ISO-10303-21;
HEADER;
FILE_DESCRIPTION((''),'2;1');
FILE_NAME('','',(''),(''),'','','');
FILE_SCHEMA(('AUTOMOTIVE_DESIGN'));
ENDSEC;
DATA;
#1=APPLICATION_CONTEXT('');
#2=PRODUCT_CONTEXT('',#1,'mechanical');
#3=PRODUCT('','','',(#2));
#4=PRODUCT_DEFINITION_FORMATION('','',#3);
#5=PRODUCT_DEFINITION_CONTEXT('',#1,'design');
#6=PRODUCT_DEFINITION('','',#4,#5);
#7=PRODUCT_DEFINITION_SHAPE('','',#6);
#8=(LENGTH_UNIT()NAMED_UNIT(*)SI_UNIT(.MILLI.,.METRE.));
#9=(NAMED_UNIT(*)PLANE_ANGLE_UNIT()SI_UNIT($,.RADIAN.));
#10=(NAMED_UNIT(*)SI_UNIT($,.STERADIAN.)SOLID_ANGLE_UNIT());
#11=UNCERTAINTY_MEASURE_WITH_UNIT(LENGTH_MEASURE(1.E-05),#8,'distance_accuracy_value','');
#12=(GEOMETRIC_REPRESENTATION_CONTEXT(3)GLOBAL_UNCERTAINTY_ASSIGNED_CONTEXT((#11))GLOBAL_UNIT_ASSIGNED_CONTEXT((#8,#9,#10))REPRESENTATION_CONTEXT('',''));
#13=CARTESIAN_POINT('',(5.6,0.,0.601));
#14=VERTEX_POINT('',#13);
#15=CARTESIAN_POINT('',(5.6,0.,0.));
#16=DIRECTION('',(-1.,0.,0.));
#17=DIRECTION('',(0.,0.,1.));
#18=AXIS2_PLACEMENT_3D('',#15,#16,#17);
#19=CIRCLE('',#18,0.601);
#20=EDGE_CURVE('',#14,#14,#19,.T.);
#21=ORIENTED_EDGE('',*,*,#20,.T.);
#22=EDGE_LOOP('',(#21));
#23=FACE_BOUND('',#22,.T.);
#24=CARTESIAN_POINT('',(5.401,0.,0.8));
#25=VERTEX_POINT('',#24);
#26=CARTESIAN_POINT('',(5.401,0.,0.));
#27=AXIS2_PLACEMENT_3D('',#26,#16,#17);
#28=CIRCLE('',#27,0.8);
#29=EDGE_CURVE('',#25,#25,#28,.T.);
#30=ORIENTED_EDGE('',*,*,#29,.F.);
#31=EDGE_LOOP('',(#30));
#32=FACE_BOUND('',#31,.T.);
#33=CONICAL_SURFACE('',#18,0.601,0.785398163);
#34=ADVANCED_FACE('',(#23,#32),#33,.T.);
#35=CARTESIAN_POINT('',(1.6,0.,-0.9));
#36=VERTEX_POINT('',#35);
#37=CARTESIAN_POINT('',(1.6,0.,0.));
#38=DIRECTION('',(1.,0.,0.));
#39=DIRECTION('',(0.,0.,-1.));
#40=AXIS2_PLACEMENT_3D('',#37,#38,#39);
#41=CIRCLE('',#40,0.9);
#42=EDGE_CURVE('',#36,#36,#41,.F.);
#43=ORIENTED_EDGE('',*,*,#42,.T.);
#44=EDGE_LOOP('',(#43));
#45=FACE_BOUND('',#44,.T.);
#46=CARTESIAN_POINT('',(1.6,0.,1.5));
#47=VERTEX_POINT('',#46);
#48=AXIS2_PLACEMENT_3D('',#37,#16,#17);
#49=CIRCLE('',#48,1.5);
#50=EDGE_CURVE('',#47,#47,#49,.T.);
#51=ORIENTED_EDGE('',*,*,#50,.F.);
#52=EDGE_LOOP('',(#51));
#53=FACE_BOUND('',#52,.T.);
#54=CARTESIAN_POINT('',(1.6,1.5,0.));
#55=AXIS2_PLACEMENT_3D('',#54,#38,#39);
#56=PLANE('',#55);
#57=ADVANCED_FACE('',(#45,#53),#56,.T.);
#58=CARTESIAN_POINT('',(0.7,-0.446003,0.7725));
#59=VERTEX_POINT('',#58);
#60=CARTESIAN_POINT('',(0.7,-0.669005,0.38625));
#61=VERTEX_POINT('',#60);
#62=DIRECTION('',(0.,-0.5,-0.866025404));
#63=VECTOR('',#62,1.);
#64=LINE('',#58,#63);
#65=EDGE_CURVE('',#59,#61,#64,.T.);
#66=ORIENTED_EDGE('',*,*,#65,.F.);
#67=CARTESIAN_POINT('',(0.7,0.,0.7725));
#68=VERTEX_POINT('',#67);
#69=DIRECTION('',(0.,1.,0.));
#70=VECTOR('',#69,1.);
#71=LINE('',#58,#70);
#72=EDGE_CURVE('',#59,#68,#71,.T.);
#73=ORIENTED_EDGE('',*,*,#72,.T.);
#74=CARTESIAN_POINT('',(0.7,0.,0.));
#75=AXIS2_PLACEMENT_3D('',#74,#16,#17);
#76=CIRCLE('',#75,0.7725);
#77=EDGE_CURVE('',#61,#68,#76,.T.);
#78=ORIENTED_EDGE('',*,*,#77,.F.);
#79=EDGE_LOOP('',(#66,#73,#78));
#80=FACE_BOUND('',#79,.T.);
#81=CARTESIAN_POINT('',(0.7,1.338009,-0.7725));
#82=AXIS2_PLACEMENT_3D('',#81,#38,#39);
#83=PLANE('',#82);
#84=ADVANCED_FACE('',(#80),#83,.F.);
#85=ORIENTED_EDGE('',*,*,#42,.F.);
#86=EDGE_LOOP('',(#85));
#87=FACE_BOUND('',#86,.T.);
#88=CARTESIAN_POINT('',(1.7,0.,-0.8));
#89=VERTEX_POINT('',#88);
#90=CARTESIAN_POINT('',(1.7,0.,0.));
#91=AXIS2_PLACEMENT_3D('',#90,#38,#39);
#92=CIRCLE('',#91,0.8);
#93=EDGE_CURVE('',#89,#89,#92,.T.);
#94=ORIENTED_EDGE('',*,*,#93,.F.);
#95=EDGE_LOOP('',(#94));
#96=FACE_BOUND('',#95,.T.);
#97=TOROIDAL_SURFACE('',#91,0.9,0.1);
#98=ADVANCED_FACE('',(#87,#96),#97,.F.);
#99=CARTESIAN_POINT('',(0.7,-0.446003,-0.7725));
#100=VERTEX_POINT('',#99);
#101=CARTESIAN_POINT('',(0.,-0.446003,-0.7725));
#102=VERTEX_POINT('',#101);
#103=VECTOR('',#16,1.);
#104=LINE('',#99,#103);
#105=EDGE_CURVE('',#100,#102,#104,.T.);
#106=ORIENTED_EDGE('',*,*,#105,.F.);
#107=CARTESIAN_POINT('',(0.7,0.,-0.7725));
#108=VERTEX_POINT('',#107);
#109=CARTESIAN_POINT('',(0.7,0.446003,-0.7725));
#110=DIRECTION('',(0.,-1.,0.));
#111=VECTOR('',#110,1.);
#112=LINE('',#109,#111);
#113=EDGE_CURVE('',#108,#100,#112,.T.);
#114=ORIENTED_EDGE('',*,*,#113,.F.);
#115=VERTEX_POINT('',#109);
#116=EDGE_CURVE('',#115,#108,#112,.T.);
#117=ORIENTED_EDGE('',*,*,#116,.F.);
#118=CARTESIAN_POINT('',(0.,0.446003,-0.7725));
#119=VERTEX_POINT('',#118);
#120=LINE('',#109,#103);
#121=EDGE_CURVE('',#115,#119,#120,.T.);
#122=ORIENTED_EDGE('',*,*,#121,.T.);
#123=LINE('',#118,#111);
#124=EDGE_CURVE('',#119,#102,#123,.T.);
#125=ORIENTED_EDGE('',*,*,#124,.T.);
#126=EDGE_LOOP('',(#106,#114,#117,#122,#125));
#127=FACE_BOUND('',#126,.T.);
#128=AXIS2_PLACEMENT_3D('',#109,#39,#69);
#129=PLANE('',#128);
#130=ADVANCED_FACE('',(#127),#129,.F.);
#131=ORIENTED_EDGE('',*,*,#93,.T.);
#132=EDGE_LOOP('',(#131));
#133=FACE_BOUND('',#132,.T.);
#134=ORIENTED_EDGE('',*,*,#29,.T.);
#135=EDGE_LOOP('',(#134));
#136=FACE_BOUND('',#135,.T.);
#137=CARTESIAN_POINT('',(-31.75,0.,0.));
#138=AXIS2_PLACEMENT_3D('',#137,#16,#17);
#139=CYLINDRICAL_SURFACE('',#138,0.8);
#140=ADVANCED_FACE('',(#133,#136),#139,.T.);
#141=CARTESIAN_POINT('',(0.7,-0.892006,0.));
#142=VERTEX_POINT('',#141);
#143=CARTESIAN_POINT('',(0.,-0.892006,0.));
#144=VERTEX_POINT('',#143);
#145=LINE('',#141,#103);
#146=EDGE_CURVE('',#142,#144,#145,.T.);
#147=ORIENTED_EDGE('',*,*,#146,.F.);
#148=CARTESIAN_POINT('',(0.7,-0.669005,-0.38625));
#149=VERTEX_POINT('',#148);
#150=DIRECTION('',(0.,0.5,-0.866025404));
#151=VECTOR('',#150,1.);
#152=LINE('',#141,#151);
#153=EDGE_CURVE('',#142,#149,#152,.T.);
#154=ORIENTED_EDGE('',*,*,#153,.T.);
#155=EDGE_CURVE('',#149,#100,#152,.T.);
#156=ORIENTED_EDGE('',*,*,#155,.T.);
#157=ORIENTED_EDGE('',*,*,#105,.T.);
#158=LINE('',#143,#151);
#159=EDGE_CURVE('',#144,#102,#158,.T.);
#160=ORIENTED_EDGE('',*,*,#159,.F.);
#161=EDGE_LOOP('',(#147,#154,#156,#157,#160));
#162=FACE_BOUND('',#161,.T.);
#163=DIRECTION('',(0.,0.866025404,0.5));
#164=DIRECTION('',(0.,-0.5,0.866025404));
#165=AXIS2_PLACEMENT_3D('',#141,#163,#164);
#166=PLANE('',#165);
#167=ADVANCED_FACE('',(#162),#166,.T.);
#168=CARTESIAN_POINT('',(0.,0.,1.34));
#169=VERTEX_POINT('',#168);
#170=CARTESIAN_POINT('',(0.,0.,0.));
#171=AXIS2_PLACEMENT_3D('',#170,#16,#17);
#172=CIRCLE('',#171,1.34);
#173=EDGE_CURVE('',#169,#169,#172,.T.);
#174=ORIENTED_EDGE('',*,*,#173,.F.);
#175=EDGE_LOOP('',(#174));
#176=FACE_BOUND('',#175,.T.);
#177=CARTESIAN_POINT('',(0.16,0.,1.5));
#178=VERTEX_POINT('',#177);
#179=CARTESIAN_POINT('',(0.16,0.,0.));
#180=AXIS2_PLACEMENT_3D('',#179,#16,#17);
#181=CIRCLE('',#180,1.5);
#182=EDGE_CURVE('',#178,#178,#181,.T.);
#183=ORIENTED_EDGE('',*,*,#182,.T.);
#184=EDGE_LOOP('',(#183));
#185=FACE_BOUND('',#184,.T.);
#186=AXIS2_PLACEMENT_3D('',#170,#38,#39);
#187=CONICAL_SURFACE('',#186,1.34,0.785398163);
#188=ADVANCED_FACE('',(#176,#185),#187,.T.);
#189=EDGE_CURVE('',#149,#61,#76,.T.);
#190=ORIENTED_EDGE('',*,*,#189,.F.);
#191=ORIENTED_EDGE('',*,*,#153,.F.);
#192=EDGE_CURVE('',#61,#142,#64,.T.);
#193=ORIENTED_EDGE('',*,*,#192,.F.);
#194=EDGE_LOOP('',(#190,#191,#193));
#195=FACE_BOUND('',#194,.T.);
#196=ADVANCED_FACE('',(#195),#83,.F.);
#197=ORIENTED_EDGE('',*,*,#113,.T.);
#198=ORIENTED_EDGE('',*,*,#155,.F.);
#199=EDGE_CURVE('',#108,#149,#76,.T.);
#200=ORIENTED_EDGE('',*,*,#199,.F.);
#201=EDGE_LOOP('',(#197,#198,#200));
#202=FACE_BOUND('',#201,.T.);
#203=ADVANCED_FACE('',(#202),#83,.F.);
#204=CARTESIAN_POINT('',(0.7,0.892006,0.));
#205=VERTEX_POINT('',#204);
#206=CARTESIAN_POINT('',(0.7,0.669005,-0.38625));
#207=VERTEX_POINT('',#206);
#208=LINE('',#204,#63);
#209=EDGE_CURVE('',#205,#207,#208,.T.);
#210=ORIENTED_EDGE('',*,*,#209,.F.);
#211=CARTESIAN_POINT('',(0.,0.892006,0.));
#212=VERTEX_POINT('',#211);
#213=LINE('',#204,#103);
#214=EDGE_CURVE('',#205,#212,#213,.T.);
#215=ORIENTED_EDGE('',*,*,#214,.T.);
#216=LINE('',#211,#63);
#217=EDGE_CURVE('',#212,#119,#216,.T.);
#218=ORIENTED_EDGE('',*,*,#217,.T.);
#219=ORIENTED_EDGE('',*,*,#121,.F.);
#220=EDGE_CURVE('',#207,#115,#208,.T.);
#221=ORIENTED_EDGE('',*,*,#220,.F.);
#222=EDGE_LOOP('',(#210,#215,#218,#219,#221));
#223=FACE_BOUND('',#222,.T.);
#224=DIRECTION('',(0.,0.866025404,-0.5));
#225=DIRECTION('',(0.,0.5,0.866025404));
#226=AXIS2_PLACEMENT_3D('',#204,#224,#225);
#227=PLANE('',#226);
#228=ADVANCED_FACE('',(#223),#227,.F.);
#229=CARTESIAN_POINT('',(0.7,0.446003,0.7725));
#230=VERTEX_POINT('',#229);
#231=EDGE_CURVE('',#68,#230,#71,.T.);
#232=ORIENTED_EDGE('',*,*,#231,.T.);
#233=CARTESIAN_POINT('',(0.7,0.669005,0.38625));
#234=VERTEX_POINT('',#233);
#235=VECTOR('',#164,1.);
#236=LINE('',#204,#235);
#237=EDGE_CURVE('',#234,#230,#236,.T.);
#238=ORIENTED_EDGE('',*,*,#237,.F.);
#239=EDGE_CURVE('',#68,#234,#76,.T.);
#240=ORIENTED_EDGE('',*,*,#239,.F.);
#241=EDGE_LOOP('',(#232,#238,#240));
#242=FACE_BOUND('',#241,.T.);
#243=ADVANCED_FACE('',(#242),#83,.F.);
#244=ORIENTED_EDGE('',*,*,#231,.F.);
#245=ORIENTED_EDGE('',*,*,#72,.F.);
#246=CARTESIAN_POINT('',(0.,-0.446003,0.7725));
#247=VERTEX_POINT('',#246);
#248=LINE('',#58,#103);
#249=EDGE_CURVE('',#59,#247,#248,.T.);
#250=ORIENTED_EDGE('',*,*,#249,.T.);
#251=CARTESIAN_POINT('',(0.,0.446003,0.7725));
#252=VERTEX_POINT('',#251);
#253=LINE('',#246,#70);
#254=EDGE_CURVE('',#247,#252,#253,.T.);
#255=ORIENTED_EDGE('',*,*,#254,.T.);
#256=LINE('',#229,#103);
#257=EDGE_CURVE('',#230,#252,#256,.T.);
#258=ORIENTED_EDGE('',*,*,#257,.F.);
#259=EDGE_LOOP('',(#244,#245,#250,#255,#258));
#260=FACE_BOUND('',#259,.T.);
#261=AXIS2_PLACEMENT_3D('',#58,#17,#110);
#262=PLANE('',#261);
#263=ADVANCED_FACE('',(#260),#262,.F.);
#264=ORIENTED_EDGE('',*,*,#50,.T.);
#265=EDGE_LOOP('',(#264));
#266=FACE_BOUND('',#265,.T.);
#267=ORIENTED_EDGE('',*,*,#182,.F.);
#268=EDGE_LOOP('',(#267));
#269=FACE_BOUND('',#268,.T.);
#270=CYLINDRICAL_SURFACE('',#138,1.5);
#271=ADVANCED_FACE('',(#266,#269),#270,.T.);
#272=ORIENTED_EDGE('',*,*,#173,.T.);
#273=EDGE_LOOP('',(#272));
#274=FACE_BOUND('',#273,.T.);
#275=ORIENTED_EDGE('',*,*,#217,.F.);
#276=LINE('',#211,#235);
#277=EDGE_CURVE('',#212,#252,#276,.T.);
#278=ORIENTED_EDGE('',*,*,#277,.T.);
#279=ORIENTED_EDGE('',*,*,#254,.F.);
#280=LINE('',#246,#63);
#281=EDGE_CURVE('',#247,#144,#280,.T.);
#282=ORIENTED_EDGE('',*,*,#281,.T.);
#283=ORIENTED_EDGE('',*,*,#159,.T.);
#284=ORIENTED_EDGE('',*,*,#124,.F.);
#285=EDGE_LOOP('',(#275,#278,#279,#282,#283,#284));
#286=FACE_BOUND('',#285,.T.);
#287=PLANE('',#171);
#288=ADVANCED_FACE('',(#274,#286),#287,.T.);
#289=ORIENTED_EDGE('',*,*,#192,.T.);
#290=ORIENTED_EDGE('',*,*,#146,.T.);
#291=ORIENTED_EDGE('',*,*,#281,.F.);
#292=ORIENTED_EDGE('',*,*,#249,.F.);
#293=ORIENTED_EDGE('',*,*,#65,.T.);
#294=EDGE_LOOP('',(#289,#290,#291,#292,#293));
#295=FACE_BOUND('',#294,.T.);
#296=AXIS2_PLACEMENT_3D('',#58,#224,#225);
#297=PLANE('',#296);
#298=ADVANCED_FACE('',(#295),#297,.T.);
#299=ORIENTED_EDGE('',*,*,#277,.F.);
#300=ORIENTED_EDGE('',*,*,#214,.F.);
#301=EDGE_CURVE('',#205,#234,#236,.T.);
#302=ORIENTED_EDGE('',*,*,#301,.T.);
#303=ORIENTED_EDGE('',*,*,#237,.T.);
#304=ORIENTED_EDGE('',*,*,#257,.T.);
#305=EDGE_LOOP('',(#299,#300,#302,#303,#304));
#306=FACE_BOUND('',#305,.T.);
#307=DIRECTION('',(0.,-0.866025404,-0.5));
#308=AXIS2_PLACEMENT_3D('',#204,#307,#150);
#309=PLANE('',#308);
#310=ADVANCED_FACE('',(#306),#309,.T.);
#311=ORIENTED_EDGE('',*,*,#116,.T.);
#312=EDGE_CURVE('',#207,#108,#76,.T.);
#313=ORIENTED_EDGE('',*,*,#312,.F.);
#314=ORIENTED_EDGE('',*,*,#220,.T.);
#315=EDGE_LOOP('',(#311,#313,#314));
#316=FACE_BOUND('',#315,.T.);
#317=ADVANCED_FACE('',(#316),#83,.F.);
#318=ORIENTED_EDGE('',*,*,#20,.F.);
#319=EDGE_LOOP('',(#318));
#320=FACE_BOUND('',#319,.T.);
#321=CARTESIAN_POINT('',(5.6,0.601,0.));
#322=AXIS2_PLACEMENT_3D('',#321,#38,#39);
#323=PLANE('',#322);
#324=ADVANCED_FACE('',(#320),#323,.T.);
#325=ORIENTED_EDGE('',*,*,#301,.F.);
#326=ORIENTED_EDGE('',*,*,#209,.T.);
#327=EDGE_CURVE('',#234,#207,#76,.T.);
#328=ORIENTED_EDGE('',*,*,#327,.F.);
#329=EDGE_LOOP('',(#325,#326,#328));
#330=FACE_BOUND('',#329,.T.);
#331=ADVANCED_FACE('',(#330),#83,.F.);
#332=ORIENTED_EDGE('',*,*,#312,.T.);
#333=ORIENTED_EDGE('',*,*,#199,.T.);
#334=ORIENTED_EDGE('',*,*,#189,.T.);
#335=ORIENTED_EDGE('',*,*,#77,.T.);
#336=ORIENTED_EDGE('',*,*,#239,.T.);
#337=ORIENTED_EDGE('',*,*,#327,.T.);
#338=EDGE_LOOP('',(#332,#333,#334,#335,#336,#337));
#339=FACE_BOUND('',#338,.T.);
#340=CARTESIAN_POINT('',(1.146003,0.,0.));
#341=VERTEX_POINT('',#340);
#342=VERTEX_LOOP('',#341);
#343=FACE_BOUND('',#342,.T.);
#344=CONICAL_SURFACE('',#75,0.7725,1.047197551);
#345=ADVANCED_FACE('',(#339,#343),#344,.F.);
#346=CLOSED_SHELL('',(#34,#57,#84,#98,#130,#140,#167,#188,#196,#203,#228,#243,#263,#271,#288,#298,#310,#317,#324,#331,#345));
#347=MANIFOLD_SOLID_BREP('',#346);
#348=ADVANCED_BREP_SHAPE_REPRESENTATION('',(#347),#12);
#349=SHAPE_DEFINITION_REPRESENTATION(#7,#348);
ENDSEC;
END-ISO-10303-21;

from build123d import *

# Parameters (mm, degrees)
FILLET1_R   = 0.1
HEX_2_DEPTH = 0.7


with BuildPart() as part:
    # BodySke → Base-Revolve (revolve)
    with BuildSketch(Plane.XY, mode=Mode.PRIVATE) as base_revolve_sk:
        Polygon((0, 0), (0, 1.34), (0.16, 1.5), (1.6, 1.5), (1.6, 0.8), (5.401, 0.8), (5.6, 0.601), (5.6, 0), align=None)
    revolve(base_revolve_sk.sketch.rotate(Axis((-31.75, 0, 0), (1, 0, 0)), 90), axis=Axis((-31.75, 0, 0), (1, 0, 0)))

    # Fillet1
    fillet1_edges = [part.edges().sort_by_distance(p)[0] for p in [
        (1.6, 0, -0.8),
    ]]
    fillet(fillet1_edges, radius=FILLET1_R)

    # Sketch2 → Hex-PreBroach (revolve, cut)
    with BuildSketch(Plane.XY, mode=Mode.PRIVATE) as hex_prebroach_sk:
        Polygon((0, 0.7725), (0.7, 0.7725), (1.146003083, 0), (0, 0), align=None)
    revolve(hex_prebroach_sk.sketch.rotate(Axis((0, 0, 0), (1, 0, 0)), 90), axis=Axis((0, 0, 0), (1, 0, 0)), mode=Mode.SUBTRACT)

    # Sketch3 → Hex 2 (cut)
    with BuildSketch(Plane(origin=(0, 0, 0), x_dir=(0, 0.500000000000001, 0.866025403784438), z_dir=(-1, 0, 0))):
        Polygon((0.446003083, 0.7725), (-0.446003083, 0.7725), (-0.892006166, 0), (-0.446003083, -0.7725), (0.446003083, -0.7725), (0.892006166, 0), align=None)
    extrude(amount=-HEX_2_DEPTH, mode=Mode.SUBTRACT)


solid = part.part
